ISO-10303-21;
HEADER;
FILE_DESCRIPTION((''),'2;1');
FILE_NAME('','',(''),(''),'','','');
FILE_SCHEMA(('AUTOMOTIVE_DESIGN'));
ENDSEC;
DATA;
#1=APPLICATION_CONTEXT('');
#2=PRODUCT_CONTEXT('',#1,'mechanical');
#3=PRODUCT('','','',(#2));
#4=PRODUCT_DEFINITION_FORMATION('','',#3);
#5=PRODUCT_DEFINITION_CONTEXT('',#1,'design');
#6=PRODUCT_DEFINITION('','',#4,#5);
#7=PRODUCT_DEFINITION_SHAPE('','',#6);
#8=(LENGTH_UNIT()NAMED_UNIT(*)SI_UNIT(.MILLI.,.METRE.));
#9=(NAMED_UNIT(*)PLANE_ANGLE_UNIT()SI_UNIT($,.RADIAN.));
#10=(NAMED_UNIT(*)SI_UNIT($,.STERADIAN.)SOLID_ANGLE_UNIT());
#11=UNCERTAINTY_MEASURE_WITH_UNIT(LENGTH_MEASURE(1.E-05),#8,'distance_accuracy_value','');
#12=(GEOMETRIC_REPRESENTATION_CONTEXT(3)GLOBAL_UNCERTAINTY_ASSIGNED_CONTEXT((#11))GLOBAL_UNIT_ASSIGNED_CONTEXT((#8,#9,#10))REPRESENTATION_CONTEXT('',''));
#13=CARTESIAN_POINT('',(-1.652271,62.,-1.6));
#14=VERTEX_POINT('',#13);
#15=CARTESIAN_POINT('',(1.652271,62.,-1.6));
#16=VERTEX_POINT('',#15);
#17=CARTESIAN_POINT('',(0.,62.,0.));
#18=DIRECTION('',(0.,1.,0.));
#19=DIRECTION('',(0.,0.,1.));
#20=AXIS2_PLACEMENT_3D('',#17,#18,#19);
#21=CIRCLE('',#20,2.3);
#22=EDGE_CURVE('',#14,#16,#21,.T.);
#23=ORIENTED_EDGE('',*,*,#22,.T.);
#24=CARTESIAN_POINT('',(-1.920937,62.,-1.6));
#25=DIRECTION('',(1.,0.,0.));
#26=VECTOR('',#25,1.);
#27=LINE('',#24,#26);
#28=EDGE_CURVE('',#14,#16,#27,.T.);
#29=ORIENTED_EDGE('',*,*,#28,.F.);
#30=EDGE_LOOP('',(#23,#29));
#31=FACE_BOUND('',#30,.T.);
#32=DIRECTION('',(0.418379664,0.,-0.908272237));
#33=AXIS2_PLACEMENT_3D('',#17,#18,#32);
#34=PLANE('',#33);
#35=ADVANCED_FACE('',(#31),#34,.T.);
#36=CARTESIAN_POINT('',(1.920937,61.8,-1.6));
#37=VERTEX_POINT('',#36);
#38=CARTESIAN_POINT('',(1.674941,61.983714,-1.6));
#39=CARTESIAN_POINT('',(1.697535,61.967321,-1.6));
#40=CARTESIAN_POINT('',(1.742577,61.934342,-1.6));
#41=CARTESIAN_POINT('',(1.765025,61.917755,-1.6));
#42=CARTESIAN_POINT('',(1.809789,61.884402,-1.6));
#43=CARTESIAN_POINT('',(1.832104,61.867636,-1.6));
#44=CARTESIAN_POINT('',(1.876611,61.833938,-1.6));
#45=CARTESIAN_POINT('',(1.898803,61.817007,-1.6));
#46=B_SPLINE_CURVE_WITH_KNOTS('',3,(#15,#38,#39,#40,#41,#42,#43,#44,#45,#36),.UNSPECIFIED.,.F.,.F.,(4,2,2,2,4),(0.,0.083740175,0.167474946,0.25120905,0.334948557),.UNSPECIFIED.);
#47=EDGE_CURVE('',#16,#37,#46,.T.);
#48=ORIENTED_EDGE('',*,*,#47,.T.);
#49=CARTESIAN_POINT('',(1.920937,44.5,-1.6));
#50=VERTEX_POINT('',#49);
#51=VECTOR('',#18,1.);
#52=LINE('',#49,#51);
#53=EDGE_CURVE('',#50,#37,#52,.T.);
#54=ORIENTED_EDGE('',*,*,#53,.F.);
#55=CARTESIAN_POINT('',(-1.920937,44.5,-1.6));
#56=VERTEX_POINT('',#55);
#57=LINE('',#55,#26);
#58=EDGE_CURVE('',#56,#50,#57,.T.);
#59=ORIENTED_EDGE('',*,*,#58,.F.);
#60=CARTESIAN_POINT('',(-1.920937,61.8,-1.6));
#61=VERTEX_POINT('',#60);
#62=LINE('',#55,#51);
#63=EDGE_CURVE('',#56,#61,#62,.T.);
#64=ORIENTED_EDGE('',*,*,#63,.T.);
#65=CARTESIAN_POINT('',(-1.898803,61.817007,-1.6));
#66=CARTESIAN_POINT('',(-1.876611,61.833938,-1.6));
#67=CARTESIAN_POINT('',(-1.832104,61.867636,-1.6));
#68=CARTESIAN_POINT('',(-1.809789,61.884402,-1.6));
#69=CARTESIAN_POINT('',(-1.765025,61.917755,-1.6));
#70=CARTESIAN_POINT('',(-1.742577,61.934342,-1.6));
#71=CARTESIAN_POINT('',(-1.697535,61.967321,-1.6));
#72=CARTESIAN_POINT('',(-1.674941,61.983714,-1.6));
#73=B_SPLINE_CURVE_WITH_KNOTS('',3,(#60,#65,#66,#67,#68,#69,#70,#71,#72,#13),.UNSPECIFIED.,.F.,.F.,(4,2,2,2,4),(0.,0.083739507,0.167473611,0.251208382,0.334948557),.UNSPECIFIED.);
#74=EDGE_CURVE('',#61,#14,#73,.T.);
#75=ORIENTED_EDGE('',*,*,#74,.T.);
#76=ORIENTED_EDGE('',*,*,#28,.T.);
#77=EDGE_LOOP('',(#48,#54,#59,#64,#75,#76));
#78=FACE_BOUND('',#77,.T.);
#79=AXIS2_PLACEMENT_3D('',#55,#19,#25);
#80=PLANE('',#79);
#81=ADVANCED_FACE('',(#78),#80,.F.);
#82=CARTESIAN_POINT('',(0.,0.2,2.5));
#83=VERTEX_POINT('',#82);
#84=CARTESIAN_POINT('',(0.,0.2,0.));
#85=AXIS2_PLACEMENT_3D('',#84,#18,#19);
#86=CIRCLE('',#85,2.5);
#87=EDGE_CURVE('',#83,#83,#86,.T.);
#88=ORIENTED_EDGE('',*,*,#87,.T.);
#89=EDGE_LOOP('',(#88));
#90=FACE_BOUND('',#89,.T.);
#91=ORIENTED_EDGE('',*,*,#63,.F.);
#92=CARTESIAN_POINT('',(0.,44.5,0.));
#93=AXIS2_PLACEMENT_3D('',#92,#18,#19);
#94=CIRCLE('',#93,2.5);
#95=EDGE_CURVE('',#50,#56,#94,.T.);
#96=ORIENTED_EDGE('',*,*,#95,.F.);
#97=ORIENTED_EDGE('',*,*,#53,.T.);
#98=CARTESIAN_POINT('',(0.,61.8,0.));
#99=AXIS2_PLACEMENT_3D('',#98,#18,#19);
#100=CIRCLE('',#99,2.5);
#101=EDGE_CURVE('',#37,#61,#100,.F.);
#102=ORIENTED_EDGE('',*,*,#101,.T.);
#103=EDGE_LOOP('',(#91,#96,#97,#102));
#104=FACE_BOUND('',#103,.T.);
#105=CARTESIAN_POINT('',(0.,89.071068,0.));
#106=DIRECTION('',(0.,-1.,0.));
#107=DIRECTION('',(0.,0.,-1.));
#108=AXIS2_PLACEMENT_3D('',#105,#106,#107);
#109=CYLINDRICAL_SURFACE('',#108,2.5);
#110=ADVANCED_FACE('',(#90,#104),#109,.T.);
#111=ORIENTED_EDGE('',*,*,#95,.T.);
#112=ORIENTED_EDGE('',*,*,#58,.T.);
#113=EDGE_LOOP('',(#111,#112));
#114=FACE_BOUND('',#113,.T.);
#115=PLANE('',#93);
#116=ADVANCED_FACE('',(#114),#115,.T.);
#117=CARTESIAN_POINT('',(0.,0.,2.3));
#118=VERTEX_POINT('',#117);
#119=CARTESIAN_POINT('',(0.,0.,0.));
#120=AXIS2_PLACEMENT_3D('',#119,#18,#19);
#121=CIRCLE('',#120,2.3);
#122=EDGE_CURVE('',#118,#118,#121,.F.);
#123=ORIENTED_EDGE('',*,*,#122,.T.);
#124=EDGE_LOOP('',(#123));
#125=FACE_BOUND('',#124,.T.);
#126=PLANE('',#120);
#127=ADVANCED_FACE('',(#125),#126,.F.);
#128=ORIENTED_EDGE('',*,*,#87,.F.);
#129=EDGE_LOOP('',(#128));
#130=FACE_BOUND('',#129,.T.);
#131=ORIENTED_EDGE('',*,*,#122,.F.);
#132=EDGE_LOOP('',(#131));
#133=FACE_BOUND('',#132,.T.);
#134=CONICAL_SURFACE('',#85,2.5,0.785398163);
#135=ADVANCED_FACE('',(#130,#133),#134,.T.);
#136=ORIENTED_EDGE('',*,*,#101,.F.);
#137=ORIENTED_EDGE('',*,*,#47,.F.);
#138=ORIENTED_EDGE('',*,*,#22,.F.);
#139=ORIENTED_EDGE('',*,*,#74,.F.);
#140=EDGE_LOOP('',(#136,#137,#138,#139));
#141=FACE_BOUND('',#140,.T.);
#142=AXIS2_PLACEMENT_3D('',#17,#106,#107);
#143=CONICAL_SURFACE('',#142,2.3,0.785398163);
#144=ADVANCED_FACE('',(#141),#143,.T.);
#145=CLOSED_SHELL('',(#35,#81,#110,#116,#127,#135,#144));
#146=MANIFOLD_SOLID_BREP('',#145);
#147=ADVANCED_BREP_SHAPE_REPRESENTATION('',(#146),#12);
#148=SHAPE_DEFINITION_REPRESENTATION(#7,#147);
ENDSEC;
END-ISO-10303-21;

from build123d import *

# Parameters (mm, degrees)
CROQUIS1_R              = 2.5
SALIENTE_EXTRUIR1_DEPTH = 62
CORTAR_EXTRUIR1_DEPTH   = 17.5
CHAFL_N1_SIZE           = 0.2


with BuildPart() as part:
    # Croquis1 → Saliente-Extruir1 (new body)
    with BuildSketch(Plane(origin=(0, 0, 0), x_dir=(1, 0, 0), z_dir=(0, 1, 0))):
        Circle(CROQUIS1_R)
    extrude(amount=SALIENTE_EXTRUIR1_DEPTH)

    # Croquis2 → Cortar-Extruir1 (cut)
    with BuildSketch(Plane(origin=(0, 62, 0), x_dir=(1, 0, 0), z_dir=(0, 1, 0))):
        with BuildLine():
            Line((-1.920937271, 1.6), (1.920937271, 1.6))
            ThreePointArc((1.920937271, 1.6), (0, 2.5), (-1.920937271, 1.6))
        make_face()
    extrude(amount=-CORTAR_EXTRUIR1_DEPTH, mode=Mode.SUBTRACT)

    # Chaflán1
    chafl_n1_edges = [part.edges().sort_by_distance(p)[0] for p in [
        (-0.850781059, 62, 2.350781059),
        (-2.5, 0, 0),
    ]]
    chamfer(chafl_n1_edges, length=CHAFL_N1_SIZE)


solid = part.part
